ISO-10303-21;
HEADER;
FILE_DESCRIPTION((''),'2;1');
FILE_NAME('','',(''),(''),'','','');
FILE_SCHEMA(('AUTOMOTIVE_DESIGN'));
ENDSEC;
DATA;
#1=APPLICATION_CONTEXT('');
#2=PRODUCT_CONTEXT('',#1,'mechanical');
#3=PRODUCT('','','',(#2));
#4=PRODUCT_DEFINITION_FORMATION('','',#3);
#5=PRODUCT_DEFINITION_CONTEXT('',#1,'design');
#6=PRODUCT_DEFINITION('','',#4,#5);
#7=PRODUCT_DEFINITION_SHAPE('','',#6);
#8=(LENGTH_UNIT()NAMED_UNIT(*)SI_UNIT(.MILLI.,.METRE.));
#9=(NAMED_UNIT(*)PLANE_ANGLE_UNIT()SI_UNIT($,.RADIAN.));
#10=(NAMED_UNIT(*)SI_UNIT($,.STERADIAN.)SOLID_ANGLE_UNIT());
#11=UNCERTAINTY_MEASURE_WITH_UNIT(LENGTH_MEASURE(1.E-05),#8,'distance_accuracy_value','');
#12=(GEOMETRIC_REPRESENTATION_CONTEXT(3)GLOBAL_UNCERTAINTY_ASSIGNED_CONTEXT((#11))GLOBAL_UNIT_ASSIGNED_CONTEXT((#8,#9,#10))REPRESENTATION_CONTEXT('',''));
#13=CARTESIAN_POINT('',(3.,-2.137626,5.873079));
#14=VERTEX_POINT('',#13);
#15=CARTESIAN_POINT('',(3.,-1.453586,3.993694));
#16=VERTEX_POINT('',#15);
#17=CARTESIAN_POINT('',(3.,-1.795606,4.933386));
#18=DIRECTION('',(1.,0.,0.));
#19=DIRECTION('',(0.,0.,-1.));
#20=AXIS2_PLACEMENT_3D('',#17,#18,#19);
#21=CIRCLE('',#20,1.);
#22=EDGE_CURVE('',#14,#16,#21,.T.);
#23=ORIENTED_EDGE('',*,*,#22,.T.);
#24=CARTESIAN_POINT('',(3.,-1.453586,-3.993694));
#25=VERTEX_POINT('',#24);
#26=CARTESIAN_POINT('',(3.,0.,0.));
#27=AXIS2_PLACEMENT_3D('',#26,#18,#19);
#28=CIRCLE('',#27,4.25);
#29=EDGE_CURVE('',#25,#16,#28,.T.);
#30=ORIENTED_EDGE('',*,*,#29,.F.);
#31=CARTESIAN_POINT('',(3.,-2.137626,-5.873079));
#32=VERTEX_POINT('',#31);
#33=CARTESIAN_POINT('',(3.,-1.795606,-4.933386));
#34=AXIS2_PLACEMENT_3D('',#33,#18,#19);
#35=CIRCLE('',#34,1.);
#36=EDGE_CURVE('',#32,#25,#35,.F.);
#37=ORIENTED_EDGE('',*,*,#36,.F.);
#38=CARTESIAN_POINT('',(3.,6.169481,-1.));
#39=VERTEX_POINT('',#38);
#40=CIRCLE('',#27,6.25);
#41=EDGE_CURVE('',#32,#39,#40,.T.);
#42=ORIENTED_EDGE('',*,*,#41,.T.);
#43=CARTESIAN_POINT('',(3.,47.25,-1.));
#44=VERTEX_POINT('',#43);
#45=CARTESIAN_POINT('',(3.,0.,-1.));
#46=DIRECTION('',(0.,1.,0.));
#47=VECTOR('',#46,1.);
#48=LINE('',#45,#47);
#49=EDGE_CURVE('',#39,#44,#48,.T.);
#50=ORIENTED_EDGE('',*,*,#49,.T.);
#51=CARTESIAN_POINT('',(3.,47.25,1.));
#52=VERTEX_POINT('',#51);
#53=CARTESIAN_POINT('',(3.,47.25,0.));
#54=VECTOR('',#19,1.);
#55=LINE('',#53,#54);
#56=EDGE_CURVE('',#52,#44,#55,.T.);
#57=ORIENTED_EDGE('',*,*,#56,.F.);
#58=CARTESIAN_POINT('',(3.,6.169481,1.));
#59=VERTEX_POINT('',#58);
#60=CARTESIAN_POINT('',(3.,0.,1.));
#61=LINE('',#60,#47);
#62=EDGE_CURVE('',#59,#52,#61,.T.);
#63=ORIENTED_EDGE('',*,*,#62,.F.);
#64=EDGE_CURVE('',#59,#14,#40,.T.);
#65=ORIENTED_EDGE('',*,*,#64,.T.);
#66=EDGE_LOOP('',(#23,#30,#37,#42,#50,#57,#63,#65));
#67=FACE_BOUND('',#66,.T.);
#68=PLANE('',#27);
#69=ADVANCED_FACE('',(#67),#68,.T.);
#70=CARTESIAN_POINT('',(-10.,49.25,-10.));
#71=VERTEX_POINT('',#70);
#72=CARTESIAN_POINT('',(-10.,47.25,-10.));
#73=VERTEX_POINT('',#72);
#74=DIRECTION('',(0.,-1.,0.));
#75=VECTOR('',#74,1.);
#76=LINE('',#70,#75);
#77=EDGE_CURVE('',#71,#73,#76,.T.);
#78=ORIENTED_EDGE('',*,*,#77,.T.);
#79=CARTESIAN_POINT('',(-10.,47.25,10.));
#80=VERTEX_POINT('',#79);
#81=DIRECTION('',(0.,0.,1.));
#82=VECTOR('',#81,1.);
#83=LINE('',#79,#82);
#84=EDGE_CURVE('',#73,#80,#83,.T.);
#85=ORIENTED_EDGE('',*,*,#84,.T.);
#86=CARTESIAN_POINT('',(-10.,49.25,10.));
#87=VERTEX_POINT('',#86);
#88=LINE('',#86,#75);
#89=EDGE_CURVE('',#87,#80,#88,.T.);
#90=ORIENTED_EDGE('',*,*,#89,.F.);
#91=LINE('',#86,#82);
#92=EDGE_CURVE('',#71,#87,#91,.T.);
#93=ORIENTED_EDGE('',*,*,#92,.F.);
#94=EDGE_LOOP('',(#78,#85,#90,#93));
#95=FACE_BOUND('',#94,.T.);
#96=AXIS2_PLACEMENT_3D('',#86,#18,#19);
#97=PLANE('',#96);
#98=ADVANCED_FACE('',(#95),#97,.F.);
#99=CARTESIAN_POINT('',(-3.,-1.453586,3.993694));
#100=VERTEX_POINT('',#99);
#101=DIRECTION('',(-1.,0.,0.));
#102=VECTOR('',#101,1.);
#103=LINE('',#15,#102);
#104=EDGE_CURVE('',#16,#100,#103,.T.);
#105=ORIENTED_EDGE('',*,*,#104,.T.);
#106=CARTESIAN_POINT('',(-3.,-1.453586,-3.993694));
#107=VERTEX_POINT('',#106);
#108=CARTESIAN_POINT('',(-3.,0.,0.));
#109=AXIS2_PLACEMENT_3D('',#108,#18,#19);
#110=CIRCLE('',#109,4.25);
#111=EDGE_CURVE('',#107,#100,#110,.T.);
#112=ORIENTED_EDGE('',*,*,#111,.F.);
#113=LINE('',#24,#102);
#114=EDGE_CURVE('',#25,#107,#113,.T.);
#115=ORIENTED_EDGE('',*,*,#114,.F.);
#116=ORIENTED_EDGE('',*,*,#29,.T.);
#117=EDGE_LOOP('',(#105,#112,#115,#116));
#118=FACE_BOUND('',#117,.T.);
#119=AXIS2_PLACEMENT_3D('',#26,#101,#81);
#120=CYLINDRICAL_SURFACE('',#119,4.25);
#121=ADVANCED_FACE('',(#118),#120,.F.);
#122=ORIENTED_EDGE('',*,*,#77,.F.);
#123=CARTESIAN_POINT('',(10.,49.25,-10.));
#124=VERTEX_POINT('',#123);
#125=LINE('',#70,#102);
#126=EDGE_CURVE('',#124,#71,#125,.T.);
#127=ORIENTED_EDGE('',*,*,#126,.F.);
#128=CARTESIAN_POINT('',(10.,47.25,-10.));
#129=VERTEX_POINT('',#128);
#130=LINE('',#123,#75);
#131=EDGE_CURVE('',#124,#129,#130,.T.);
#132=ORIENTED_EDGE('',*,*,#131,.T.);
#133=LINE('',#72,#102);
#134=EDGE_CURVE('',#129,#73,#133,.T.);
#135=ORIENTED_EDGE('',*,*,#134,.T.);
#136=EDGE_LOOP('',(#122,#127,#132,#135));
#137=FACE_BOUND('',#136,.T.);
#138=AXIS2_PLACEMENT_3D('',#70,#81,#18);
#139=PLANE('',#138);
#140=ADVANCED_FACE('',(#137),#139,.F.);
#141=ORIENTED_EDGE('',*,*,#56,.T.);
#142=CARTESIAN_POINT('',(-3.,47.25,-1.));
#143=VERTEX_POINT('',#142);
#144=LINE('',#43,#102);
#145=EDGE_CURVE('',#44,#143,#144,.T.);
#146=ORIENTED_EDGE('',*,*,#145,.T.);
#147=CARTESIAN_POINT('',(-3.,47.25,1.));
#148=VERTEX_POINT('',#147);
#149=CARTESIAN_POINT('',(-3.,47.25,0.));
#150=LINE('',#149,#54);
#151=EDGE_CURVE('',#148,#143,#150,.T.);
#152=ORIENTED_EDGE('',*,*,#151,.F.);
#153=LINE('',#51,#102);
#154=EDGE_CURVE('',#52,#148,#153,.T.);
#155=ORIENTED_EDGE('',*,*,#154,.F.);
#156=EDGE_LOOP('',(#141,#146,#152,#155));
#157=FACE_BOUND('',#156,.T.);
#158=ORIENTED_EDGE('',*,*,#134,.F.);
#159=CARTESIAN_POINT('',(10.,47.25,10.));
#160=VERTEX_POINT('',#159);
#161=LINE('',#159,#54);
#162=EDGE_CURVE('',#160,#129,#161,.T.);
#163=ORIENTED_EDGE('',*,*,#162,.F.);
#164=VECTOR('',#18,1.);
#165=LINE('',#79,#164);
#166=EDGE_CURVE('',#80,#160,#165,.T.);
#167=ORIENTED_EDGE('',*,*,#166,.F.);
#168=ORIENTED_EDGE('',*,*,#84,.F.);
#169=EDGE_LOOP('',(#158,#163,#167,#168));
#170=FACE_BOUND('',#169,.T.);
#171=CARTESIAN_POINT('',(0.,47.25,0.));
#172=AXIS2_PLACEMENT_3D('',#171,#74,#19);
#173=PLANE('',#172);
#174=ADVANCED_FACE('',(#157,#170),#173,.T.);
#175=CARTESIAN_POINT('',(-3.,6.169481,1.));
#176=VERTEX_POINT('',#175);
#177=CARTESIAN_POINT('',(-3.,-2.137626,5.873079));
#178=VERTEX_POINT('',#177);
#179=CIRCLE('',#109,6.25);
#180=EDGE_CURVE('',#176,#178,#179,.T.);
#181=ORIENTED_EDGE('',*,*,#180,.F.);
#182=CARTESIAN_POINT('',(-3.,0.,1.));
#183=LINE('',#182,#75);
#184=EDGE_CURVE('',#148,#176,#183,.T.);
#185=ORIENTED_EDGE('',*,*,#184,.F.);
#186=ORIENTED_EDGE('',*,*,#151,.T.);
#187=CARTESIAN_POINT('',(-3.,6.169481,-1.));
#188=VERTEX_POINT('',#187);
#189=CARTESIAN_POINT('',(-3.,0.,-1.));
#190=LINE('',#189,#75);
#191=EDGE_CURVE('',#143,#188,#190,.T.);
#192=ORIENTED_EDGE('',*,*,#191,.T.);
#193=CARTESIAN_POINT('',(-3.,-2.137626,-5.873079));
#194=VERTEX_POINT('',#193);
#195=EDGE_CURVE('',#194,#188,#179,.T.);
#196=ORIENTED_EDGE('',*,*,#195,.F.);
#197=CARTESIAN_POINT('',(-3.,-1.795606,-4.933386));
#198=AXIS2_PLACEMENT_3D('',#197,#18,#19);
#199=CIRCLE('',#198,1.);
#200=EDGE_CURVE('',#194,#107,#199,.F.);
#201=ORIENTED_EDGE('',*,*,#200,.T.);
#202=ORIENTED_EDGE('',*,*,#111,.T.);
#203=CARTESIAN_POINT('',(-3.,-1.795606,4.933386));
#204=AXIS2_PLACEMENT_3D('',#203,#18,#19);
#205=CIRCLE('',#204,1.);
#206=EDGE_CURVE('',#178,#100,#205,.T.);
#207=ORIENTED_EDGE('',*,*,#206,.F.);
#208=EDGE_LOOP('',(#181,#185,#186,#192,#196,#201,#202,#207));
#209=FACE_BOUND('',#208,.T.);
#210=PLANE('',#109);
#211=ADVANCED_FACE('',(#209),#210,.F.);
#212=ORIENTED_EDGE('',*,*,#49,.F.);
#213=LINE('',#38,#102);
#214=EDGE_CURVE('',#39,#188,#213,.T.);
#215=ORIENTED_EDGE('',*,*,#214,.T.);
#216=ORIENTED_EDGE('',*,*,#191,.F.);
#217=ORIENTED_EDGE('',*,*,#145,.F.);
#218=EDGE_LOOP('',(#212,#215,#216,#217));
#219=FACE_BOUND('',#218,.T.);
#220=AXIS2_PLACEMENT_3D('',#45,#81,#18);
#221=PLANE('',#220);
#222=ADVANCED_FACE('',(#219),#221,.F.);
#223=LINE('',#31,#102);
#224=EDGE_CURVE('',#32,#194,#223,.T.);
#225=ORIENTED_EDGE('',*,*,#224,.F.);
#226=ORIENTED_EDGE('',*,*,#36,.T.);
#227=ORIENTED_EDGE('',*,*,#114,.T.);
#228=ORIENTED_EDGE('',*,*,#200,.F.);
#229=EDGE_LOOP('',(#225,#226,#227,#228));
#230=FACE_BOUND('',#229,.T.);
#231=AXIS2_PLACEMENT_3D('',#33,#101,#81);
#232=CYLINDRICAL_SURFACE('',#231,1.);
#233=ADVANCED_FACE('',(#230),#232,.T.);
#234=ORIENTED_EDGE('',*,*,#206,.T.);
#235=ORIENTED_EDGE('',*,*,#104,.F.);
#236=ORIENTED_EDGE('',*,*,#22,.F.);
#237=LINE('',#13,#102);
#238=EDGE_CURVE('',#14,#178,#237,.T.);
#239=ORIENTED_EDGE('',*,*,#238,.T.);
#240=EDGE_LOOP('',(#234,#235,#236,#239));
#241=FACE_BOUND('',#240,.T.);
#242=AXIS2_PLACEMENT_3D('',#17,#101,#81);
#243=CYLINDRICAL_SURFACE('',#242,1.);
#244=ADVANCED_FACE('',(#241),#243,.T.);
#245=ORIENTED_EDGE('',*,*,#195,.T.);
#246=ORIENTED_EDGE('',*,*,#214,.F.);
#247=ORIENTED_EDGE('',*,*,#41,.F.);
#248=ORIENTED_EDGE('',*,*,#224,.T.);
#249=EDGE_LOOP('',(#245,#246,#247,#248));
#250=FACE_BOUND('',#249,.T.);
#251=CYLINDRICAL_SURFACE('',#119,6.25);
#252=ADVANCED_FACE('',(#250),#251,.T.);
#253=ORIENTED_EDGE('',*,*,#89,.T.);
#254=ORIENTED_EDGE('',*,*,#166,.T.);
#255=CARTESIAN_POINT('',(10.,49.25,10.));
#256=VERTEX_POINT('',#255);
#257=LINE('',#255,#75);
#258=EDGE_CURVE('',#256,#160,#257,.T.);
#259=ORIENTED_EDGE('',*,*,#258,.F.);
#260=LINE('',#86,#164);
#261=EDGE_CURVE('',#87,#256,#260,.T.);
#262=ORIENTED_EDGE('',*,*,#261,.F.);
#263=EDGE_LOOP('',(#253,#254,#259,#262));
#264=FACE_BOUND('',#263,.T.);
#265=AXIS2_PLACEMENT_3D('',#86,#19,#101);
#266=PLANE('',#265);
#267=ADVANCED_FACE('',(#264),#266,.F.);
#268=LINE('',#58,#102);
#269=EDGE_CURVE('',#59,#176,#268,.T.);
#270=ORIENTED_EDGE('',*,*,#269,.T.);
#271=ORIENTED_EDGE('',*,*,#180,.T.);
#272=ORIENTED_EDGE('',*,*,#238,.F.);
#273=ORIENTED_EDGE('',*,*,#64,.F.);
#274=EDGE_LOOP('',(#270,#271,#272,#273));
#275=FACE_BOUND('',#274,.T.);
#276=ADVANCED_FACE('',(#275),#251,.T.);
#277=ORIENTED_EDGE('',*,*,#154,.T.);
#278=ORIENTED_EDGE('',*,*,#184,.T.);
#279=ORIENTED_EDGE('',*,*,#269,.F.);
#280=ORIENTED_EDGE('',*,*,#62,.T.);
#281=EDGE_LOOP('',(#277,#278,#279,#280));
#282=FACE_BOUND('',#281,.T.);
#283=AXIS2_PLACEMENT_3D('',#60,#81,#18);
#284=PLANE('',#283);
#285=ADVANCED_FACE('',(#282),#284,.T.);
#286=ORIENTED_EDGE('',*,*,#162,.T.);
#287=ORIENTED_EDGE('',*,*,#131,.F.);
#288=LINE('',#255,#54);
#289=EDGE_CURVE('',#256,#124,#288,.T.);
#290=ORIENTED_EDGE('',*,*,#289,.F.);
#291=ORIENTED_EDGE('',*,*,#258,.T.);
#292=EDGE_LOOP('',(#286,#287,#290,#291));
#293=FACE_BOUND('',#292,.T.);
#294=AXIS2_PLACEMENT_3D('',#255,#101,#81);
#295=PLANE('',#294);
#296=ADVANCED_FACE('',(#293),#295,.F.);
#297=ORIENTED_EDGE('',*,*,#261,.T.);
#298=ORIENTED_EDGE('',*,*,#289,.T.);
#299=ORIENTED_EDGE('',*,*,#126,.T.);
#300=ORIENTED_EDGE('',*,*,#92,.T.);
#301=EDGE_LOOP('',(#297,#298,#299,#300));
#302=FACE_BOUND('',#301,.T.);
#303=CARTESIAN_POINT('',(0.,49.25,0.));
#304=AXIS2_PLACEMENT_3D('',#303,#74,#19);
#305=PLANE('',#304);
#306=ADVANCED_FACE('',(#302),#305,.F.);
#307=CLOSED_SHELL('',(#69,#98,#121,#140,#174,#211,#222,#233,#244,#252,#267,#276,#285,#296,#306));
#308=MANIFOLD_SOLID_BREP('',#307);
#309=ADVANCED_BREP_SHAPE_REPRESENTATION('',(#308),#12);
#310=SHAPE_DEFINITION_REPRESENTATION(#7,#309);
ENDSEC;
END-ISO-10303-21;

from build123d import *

# Parameters (mm, degrees)
BOSS_EXTRUDE1_DEPTH      = 3
BOSS_EXTRUDE1_DEPTH_BACK = 3
BOSS_EXTRUDE2_DEPTH      = 3
BOSS_EXTRUDE3_DEPTH      = 3
SKETCH4_W                = 20
SKETCH4_H                = 20
BOSS_EXTRUDE4_DEPTH      = 2


with BuildPart() as part:
    # Sketch1 → Boss-Extrude1 (new, two sides: drawn at the far end of the back side and taken through both)
    with BuildSketch(Plane(origin=(0, 0, 0), x_dir=(0, 0, -1), z_dir=(1, 0, 0)).offset(-BOSS_EXTRUDE1_DEPTH_BACK)):
        with BuildLine():
            ThreePointArc((-3.993693638, -1.453585609), (0, 4.25), (3.993693638, -1.453585609))
            ThreePointArc((3.993693638, -1.453585609), (4.591366116, -2.735298373), (5.87307888, -2.137625896))
            ThreePointArc((5.87307888, -2.137625896), (0, 6.25), (-5.87307888, -2.137625896))
            ThreePointArc((-5.87307888, -2.137625896), (-4.591366116, -2.735298373), (-3.993693638, -1.453585609))
        make_face()
    extrude(amount=BOSS_EXTRUDE1_DEPTH + BOSS_EXTRUDE1_DEPTH_BACK)

    # Sketch2 → Boss-Extrude2 (add)
    with BuildSketch(Plane(origin=(0, 0, 0), x_dir=(0, 0, -1), z_dir=(1, 0, 0))):
        Polygon((-1, 4.25), (0, 4.25), (1, 4.25), (1, 47.25), (-1, 47.25), align=None)
    extrude(amount=BOSS_EXTRUDE2_DEPTH)

    # Sketch3 → Boss-Extrude3 (add)
    with BuildSketch(Plane(origin=(0, 0, 0), x_dir=(0, 0, -1), z_dir=(1, 0, 0))):
        Polygon((1, 47.25), (0, 47.25), (-1, 47.25), (-1, 4.25), (1, 4.25), align=None)
    extrude(amount=-BOSS_EXTRUDE3_DEPTH)

    # Sketch4 → Boss-Extrude4 (add)
    with BuildSketch(Plane(origin=(0, 47.25, 0), x_dir=(1, 0, 0), z_dir=(0, 1, 0))):
        Rectangle(SKETCH4_W, SKETCH4_H)
    extrude(amount=BOSS_EXTRUDE4_DEPTH)


solid = part.part
